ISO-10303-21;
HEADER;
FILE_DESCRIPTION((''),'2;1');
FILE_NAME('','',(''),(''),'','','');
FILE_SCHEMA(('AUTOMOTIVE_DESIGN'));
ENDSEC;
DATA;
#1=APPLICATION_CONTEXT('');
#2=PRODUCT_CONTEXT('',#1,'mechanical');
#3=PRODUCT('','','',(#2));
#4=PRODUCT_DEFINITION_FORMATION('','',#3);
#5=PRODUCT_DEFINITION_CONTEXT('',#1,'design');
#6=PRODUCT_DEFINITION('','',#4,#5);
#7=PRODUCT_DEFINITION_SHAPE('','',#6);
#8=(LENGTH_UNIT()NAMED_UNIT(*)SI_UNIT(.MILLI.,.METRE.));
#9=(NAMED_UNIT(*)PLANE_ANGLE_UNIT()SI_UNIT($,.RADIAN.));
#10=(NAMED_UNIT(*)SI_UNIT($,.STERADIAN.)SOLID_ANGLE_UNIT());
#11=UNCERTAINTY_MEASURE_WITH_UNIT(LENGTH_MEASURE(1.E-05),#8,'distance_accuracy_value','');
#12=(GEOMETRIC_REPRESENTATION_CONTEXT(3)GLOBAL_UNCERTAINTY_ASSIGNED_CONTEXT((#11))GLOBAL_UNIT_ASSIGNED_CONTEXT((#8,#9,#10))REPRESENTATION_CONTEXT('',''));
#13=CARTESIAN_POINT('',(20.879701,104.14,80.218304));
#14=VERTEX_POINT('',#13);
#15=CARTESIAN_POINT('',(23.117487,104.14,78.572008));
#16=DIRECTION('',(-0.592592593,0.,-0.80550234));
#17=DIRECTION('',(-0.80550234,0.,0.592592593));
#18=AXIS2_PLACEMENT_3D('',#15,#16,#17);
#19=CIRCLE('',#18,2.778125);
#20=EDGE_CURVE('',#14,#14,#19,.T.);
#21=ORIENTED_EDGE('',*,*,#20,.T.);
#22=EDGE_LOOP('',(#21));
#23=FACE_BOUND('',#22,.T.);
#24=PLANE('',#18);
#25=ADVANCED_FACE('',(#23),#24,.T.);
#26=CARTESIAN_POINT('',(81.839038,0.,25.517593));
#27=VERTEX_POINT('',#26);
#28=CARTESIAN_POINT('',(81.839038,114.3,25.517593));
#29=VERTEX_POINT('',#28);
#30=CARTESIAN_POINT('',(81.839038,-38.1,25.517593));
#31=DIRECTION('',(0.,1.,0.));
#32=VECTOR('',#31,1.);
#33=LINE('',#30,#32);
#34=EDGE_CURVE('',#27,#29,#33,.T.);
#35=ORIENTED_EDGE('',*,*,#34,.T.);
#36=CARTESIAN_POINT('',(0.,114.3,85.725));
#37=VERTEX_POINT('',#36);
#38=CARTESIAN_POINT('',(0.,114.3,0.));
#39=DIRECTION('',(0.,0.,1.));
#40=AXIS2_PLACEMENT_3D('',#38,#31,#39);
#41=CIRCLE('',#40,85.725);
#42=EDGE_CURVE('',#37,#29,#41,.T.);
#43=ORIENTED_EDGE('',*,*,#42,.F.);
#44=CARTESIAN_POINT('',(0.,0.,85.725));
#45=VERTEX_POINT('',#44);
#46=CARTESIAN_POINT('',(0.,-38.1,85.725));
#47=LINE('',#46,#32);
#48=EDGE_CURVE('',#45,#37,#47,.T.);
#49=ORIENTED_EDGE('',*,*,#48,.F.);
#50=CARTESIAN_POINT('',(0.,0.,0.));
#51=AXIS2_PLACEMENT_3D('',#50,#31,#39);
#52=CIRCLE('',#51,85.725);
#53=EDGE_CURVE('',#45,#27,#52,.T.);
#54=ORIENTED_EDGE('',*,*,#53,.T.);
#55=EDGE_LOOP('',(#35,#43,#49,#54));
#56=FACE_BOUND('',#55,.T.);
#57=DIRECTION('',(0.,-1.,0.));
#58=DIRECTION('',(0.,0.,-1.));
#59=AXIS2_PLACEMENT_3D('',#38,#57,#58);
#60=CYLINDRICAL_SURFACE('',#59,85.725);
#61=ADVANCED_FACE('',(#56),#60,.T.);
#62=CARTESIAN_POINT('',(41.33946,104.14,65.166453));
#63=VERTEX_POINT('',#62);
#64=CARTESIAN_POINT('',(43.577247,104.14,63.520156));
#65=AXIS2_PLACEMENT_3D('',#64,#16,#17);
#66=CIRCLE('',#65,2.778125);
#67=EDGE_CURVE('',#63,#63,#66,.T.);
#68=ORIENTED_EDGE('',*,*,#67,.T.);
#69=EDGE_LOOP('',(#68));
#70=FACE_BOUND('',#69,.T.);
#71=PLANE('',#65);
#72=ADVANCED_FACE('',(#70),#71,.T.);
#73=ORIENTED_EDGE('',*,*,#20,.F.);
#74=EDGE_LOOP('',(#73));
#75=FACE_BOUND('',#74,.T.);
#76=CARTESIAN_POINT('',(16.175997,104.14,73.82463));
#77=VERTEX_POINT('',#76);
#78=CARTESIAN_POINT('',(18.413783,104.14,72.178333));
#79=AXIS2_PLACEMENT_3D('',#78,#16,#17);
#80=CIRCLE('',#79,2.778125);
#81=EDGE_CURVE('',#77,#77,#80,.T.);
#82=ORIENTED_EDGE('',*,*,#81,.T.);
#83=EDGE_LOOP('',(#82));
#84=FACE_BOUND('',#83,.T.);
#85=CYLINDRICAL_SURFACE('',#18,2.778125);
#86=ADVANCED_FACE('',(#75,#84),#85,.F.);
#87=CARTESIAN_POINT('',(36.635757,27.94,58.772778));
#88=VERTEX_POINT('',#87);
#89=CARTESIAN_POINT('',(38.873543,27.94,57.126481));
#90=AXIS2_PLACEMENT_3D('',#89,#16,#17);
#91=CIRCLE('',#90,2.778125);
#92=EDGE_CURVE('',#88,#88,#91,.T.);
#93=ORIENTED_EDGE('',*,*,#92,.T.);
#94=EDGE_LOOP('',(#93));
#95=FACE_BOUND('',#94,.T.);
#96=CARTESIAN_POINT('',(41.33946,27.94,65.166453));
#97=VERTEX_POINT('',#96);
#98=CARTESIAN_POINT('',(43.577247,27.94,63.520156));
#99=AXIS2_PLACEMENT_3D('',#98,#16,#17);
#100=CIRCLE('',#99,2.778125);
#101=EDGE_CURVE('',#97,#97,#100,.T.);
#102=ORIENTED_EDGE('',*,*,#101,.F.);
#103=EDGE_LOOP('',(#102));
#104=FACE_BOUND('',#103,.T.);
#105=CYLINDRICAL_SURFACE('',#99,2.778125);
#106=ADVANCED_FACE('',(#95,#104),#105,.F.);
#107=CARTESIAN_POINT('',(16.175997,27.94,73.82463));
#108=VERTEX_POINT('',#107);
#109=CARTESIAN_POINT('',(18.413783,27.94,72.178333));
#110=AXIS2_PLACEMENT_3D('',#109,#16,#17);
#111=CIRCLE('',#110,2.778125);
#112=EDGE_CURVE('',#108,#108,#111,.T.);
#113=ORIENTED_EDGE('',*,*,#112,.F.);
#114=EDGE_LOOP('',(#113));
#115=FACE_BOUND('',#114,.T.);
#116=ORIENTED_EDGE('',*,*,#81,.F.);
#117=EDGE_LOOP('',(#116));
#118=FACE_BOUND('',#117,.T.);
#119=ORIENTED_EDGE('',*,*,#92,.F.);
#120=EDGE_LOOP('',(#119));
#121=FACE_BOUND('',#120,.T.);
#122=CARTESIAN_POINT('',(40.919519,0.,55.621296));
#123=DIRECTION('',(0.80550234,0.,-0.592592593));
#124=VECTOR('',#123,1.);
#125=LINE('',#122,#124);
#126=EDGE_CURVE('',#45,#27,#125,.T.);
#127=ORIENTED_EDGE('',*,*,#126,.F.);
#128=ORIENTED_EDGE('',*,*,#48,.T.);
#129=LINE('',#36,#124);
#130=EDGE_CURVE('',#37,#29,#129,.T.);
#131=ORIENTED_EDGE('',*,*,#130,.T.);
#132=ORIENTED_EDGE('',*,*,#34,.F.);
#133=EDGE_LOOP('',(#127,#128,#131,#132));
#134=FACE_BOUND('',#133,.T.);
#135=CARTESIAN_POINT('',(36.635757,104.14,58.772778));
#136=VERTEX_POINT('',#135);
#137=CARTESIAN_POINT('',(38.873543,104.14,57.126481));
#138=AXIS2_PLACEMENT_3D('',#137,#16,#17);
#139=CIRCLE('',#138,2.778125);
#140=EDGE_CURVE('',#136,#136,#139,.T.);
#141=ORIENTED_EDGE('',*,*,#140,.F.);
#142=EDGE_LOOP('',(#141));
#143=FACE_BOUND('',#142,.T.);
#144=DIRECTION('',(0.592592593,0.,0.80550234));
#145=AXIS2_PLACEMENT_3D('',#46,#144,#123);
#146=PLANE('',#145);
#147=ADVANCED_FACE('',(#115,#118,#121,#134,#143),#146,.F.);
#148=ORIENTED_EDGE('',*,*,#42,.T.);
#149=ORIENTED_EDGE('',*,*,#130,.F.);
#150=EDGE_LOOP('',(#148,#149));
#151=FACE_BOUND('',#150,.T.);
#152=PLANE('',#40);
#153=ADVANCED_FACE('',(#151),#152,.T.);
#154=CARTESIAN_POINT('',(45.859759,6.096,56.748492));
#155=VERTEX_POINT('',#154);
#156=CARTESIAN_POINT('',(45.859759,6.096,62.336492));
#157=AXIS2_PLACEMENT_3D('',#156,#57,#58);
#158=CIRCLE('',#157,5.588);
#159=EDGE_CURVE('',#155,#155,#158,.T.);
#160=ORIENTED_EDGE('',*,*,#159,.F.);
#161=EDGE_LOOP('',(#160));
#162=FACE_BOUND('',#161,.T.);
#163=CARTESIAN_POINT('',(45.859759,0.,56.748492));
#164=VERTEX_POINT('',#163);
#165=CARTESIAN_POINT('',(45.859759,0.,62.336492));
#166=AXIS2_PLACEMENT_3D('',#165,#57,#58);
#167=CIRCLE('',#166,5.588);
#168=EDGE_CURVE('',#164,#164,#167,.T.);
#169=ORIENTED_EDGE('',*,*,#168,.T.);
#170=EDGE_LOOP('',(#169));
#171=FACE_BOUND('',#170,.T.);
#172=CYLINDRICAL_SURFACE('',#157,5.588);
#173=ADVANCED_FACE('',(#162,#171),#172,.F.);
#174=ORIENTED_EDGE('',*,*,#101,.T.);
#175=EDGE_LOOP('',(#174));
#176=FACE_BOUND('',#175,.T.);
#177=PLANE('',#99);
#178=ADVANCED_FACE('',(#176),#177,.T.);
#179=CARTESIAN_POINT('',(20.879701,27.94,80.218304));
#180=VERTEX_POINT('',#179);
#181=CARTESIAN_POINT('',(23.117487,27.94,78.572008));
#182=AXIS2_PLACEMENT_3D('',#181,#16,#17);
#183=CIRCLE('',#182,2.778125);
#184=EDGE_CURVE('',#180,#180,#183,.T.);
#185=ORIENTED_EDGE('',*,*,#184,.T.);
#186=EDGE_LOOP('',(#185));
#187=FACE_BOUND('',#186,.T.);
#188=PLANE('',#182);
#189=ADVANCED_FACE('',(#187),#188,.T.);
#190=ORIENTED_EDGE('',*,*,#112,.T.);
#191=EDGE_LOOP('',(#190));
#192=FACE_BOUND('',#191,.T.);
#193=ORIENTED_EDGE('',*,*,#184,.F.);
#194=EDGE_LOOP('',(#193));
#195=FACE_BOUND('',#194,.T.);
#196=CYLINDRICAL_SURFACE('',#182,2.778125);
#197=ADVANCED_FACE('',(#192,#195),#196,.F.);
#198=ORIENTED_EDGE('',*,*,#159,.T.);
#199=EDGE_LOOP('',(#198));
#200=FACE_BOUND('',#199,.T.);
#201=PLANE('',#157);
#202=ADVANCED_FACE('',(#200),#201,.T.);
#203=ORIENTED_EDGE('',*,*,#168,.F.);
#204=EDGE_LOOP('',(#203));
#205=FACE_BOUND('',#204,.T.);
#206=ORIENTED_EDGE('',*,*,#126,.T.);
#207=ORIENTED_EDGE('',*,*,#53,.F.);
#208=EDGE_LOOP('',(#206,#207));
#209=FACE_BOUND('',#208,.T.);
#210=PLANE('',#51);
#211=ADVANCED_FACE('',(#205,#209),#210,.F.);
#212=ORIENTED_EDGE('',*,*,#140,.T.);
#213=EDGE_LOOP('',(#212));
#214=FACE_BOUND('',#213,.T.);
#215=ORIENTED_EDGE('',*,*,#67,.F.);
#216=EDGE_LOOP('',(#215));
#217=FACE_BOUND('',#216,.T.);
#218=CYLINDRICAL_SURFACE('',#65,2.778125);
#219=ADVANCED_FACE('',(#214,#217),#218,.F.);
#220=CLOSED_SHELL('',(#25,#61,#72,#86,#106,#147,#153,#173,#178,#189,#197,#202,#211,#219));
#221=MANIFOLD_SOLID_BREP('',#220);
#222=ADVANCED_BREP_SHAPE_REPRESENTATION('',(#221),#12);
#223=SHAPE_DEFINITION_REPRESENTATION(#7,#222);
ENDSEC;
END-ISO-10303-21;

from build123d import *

# Parameters (mm, degrees)
SKETCH1_R           = 85.725
BOSS_EXTRUDE1_DEPTH = 114.3
CUT_EXTRUDE1_DEPTH  = 152.4
SKETCH3_R           = 2.778125
CUT_EXTRUDE2_DEPTH  = 7.9375
SKETCH4_R           = 5.588
CUT_EXTRUDE3_DEPTH  = 6.096


with BuildPart() as part:
    # Sketch1 → Boss-Extrude1 (new body)
    with BuildSketch(Plane(origin=(0, 0, 0), x_dir=(1, 0, 0), z_dir=(0, 1, 0))):
        Circle(SKETCH1_R)
    extrude(amount=BOSS_EXTRUDE1_DEPTH)

    # Sketch2 → Cut-Extrude1 (cut)
    with BuildSketch(Plane(origin=(0, 114.3, 0), x_dir=(1, 0, 0), z_dir=(0, 1, 0))):
        Polygon((0, -85.725), (81.83903771, -25.517592593), (151.304734273, 75.062868172), (-38.51393236, 115.934796391), (-149.339737724, 18.86396687), (-68.774879215, -104.537816407), align=None)
    extrude(amount=-CUT_EXTRUDE1_DEPTH, mode=Mode.SUBTRACT)

    # Sketch3 → Cut-Extrude2 (cut)
    with BuildSketch(Plane(origin=(40.919518855, 0, 55.621296296), x_dir=(-0.80550234, 0, 0.592592593), z_dir=(-0.592592593, 0, -0.80550234))):
        with Locations((2.54, 104.14)):
            Circle(SKETCH3_R)
        with Locations((27.94, 104.14)):
            Circle(SKETCH3_R)
        with Locations((2.54, 27.94)):
            Circle(SKETCH3_R)
        with Locations((27.94, 27.94)):
            Circle(SKETCH3_R)
    extrude(amount=-CUT_EXTRUDE2_DEPTH, mode=Mode.SUBTRACT)

    # Sketch4 → Cut-Extrude3 (cut)
    with BuildSketch(Plane(origin=(0, 0, 0), x_dir=(-1, 0, 0), z_dir=(0, -1, 0))):
        with Locations((-45.859759427, -62.336492182)):
            Circle(SKETCH4_R)
    extrude(amount=-CUT_EXTRUDE3_DEPTH, mode=Mode.SUBTRACT)


solid = part.part
